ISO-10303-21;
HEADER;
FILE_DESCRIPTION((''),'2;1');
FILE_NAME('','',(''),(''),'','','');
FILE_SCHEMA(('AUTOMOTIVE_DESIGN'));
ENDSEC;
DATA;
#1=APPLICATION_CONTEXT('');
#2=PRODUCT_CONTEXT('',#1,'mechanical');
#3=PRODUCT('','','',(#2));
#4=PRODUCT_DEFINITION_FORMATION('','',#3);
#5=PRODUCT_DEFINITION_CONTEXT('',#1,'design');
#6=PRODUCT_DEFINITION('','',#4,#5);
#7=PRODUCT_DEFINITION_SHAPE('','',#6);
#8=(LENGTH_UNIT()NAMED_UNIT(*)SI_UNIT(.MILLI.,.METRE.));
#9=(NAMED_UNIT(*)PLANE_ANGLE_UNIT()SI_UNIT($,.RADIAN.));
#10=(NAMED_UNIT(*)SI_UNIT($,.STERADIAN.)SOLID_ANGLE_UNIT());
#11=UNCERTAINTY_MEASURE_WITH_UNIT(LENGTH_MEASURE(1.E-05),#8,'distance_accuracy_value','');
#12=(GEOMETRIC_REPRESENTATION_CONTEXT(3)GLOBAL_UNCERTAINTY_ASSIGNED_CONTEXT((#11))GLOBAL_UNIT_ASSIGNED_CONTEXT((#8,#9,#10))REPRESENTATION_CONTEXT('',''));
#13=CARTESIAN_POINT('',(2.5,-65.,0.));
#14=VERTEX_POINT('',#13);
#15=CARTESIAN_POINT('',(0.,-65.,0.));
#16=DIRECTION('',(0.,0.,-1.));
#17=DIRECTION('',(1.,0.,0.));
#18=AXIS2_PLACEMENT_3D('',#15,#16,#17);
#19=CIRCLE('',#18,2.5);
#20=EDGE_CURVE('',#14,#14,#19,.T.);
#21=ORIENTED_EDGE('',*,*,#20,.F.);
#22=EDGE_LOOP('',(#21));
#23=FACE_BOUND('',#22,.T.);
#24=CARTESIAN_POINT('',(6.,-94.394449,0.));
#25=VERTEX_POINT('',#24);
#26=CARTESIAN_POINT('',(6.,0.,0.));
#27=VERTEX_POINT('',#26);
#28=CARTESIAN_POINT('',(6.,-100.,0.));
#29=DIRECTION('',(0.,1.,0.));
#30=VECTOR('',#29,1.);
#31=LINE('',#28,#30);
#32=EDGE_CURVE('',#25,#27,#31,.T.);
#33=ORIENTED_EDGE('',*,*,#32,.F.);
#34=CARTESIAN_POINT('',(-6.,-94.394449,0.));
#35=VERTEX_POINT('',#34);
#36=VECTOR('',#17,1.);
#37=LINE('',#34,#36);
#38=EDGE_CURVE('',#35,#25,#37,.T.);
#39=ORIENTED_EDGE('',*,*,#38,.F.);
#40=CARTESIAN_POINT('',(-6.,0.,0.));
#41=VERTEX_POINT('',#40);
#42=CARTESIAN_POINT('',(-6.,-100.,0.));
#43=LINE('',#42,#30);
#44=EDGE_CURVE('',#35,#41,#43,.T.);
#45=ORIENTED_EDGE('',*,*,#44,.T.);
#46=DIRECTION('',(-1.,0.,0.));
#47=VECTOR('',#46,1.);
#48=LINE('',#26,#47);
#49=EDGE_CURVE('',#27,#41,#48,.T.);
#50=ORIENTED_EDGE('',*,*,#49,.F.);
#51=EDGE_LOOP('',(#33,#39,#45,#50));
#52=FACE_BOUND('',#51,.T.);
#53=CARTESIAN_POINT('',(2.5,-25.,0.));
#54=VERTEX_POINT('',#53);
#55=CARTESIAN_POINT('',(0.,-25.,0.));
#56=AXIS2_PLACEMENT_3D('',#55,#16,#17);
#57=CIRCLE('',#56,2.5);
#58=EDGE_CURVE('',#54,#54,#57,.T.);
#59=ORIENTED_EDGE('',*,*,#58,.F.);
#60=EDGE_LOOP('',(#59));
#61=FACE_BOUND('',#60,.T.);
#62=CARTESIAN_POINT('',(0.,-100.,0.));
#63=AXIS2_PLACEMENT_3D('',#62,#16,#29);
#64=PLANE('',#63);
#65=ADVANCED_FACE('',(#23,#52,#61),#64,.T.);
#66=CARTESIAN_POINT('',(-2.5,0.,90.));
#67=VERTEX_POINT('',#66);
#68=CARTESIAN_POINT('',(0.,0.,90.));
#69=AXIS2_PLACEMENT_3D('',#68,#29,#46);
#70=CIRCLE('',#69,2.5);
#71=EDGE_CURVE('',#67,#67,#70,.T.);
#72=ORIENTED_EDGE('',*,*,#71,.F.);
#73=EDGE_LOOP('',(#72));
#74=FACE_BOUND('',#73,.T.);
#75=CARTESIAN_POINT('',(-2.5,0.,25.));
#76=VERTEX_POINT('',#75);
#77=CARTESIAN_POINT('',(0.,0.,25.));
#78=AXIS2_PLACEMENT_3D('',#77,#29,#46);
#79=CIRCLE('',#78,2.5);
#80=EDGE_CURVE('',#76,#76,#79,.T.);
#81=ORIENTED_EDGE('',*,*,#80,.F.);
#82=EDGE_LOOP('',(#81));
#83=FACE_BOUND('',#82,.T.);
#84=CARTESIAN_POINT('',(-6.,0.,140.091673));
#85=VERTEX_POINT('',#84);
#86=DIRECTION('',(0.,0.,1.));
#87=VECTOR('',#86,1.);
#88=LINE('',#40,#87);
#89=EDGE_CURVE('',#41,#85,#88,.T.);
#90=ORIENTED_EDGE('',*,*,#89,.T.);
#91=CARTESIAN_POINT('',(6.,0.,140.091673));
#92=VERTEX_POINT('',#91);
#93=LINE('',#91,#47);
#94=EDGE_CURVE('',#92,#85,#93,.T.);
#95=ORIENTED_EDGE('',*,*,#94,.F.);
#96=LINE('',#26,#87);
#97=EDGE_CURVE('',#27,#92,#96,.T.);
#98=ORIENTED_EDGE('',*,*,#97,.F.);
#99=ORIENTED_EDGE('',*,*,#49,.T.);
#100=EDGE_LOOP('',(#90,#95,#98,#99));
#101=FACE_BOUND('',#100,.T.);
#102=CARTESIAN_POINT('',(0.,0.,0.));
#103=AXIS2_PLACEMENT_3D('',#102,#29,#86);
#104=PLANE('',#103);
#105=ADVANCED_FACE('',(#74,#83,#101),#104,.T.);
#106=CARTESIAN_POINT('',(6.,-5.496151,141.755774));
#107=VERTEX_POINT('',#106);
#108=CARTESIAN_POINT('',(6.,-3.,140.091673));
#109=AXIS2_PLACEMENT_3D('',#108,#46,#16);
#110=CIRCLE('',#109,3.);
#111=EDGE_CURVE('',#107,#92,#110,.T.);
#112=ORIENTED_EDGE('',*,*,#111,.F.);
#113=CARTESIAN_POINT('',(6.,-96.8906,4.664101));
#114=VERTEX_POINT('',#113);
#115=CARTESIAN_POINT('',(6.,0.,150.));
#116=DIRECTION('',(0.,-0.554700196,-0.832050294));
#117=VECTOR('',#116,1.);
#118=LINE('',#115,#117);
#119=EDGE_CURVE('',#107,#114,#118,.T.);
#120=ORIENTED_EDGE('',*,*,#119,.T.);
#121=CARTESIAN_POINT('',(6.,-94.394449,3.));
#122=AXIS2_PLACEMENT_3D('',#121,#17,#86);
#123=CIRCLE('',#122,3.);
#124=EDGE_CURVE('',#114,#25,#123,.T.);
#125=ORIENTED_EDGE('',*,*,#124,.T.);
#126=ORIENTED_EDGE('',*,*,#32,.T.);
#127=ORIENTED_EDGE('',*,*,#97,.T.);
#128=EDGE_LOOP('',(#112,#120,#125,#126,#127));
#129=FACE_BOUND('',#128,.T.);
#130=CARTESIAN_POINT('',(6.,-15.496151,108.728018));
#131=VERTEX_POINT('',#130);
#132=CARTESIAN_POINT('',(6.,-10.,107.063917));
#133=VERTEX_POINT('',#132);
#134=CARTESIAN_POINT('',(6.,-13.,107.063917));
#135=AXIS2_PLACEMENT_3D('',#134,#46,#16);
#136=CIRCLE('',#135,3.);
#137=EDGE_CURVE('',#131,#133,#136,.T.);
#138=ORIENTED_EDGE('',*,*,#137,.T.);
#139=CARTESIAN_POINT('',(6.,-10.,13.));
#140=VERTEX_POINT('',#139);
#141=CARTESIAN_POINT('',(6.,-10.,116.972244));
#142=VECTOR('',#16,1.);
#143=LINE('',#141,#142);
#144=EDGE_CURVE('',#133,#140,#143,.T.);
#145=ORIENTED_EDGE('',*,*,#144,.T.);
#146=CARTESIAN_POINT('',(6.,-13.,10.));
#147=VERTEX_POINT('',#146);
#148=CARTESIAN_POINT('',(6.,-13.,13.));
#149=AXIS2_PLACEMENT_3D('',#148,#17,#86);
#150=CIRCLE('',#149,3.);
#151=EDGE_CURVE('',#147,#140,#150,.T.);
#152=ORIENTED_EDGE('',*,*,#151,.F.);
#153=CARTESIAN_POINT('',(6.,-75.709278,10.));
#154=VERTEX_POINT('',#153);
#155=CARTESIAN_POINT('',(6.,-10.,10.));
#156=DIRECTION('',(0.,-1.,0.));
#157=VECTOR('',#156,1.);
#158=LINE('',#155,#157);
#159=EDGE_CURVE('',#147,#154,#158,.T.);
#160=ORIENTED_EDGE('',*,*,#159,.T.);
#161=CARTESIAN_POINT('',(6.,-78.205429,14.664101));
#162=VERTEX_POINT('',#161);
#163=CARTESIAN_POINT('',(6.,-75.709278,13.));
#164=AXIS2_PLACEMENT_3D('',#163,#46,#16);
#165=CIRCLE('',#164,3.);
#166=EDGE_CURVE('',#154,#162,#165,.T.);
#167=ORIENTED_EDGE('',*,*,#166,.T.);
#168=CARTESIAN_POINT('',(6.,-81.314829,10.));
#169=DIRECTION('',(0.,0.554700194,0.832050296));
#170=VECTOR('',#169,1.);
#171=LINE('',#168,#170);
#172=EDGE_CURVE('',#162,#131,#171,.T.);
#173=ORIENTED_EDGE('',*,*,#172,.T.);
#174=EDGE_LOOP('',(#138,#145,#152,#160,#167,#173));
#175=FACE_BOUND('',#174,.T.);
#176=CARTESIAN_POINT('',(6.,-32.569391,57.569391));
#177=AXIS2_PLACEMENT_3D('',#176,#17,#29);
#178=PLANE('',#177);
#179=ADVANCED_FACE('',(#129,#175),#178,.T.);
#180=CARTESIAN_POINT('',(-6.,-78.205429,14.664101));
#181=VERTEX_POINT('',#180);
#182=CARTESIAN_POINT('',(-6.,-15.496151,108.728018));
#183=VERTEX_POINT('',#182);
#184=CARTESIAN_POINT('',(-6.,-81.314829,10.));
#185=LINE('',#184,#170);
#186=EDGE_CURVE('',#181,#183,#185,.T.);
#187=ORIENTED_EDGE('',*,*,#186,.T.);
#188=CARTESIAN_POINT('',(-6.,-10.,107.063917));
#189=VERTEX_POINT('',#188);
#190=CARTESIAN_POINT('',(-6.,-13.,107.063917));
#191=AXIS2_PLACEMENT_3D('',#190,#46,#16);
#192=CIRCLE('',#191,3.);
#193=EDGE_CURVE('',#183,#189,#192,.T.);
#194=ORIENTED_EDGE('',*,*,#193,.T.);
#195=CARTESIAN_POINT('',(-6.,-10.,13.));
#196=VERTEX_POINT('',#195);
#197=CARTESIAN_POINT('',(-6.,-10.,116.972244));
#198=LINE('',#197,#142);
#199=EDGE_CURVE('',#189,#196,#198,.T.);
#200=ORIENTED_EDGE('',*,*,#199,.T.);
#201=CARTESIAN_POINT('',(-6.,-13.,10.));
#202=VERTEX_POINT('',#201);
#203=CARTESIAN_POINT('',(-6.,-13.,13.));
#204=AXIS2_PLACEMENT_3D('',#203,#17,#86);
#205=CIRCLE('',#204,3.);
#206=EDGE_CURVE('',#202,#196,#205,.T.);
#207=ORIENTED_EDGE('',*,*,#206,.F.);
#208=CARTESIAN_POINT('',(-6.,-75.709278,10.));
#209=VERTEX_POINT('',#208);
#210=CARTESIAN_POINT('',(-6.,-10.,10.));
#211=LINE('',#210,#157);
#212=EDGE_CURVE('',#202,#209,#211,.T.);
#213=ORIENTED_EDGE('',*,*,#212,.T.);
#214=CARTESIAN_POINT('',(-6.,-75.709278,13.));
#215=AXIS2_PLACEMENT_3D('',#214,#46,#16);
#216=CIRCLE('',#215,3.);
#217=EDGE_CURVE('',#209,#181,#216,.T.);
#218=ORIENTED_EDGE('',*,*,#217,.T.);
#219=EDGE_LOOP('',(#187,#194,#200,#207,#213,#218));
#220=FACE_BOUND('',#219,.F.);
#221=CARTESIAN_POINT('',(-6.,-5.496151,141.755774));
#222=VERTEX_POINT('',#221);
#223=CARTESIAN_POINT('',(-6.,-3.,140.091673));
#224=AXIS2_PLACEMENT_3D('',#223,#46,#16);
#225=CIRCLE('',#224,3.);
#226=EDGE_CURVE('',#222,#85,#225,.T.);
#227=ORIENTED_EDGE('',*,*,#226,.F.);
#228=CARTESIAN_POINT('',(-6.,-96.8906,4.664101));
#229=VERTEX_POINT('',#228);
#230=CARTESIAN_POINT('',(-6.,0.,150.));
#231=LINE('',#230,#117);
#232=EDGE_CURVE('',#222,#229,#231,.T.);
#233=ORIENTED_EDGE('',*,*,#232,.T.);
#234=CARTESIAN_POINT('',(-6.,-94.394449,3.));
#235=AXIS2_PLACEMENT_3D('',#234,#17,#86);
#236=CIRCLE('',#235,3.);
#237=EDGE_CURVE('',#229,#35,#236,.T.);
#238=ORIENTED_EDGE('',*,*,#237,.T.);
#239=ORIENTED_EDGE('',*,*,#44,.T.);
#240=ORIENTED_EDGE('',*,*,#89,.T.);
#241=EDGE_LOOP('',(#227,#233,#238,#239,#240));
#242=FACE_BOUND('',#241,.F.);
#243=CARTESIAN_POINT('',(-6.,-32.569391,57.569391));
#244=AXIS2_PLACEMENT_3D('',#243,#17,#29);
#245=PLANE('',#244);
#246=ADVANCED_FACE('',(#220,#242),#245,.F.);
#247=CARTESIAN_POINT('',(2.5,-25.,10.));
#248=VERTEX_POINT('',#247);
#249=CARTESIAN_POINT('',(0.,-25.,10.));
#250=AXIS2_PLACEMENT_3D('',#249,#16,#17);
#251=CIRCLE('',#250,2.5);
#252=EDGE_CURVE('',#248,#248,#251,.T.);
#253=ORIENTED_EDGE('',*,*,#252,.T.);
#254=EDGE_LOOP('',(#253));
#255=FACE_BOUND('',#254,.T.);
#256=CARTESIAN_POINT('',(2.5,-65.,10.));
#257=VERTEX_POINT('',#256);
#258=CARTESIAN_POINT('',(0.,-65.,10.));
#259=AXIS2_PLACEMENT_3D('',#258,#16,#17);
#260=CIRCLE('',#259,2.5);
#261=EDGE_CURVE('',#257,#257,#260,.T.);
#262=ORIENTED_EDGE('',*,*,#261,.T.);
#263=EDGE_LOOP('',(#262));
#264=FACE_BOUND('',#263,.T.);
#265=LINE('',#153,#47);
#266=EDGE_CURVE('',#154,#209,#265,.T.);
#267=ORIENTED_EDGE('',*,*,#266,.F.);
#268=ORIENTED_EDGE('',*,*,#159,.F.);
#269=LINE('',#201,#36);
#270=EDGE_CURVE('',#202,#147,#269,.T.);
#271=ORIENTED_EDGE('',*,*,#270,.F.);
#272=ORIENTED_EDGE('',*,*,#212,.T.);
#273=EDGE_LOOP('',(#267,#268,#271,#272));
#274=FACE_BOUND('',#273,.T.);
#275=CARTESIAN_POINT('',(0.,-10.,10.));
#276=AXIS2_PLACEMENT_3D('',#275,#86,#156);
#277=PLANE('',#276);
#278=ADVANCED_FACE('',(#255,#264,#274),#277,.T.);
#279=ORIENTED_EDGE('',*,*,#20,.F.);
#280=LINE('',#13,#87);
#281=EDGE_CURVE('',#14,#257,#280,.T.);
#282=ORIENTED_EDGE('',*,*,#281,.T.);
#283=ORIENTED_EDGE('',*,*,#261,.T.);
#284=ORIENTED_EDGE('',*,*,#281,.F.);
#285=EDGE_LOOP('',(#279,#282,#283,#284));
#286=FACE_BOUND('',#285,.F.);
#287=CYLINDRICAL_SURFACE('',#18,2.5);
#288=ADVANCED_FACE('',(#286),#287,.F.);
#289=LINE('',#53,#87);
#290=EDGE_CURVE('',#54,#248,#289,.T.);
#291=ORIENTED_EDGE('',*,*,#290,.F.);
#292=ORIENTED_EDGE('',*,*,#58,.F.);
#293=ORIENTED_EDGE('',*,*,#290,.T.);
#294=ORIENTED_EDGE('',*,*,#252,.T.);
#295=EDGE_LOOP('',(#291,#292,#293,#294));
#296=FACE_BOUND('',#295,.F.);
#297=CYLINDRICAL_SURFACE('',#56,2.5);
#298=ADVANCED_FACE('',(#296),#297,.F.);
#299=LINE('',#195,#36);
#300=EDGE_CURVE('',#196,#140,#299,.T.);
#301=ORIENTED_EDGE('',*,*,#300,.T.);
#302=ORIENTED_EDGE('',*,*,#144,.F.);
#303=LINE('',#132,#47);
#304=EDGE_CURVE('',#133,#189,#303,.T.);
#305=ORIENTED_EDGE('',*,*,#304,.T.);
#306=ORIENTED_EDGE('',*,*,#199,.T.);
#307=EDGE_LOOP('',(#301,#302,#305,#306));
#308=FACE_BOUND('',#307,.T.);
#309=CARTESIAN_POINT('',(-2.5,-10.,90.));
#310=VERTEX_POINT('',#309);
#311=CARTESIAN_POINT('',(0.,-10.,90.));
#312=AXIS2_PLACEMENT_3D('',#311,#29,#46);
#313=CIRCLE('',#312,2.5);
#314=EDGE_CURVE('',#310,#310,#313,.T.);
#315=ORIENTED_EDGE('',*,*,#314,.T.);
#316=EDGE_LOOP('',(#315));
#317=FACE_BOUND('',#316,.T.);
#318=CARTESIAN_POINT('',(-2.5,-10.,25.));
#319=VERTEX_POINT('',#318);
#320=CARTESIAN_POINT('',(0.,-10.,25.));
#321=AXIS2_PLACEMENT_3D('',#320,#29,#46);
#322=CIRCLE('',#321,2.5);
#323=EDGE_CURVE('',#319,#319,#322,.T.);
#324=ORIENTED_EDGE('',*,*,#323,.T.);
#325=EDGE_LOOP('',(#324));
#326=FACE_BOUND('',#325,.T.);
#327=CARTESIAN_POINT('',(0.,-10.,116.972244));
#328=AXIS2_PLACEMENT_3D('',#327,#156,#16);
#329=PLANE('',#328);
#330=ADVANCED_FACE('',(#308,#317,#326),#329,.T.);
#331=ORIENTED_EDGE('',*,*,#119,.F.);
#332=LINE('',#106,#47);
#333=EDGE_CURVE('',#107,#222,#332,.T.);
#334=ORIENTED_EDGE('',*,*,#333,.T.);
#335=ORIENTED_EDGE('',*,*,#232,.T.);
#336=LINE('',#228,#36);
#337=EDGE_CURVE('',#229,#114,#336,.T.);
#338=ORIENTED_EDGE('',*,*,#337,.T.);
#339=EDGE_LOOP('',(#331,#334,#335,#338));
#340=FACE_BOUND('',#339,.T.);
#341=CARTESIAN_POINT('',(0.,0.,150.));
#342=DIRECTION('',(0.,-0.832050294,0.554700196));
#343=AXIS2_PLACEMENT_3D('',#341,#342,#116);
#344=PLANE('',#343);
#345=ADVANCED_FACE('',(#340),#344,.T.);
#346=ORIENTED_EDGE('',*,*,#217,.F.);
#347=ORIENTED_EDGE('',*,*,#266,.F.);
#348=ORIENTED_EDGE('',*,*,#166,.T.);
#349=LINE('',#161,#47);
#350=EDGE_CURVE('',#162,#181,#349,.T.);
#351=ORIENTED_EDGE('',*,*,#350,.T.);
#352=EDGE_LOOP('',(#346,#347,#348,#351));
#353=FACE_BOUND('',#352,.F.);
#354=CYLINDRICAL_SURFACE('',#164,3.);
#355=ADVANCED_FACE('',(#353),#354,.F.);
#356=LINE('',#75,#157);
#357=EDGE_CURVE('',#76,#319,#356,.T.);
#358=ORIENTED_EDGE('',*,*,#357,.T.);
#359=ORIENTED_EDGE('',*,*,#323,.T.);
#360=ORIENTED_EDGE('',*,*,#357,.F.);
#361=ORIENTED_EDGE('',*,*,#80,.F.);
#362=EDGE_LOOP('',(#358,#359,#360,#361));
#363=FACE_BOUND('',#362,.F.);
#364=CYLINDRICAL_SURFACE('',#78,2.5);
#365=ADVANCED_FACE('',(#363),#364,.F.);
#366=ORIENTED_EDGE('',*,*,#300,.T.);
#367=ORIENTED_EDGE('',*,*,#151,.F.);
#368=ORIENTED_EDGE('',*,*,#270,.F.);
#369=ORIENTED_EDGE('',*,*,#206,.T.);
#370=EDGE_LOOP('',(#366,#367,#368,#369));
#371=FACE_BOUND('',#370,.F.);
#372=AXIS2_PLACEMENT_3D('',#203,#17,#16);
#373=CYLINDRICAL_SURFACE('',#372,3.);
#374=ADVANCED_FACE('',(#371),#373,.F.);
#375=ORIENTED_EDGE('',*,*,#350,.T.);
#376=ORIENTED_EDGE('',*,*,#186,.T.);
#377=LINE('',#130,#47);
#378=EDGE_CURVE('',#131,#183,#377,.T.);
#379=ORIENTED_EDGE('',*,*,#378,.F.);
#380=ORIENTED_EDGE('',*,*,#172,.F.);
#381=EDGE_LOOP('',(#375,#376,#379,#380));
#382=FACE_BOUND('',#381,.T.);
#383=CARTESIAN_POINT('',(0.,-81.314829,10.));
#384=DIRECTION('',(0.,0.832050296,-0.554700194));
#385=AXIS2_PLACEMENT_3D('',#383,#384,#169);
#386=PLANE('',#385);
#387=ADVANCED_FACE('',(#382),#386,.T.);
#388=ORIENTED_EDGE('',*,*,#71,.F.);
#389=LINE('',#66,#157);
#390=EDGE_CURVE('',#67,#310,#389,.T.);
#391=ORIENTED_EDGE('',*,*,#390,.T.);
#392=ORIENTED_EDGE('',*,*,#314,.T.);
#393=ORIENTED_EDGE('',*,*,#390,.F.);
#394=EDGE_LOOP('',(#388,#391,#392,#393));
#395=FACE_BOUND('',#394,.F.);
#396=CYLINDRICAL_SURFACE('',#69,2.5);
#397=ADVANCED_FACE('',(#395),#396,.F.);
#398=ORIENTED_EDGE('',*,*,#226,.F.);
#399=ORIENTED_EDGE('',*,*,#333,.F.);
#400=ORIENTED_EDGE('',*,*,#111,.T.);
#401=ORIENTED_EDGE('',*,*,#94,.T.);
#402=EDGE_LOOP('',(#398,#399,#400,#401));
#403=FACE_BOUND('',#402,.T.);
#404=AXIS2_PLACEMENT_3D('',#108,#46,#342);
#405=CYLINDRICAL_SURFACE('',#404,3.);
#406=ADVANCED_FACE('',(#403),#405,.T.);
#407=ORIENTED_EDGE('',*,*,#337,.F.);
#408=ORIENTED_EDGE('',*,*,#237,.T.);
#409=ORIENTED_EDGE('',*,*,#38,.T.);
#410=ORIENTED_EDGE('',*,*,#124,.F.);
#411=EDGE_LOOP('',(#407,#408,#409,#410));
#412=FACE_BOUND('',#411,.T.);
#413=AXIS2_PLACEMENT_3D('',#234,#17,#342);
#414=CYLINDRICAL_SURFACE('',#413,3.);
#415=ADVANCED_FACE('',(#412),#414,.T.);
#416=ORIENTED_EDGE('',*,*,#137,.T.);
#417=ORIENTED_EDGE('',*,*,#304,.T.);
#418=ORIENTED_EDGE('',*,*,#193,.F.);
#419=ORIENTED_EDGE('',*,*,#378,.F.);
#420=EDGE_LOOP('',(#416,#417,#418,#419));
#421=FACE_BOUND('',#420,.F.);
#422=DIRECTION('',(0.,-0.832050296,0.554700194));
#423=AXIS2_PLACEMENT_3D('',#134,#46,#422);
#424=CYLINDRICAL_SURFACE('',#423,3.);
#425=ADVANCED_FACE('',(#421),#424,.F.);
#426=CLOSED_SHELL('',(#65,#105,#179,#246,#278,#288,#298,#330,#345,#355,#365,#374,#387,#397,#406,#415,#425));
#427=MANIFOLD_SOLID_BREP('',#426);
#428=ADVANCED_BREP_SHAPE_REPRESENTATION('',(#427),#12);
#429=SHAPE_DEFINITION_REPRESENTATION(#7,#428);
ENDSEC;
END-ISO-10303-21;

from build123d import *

# Parameters (mm, degrees)
F1_DEPTH = 6
F2_R     = 3
F3_R     = 2.5
F4_DEPTH = 10
F5_R     = 2.5
F6_DEPTH = 10


with BuildPart() as f1:
    # F0 (on Right) → F1 (new body, symmetric)
    with BuildSketch(Plane.YZ):
        Polygon((0, 150), (-100, 0), (0, 0), align=None)
        Polygon((-10, 10), (-81.314829, 10), (-10, 116.972244), align=None, mode=Mode.SUBTRACT)
    extrude(amount=F1_DEPTH, both=True)

    # F2
    f2_edges = [f1.edges().sort_by_distance(p)[0] for p in [
        (0, -100, 0),
        (0, 0, 150),
        (0, -10, 116.972244),
        (0, -10, 10),
        (0, -81.314829, 10),
    ]]
    fillet(f2_edges, radius=F2_R)

    # F3 (on face) → F4 (cut, through all)
    with BuildSketch(Plane(origin=(0, 0, 0), x_dir=(-1, 0, 0), z_dir=(0, 1, 0))):
        with Locations((0, 90)):
            Circle(F3_R)
        with Locations((0, 25)):
            Circle(F3_R)
    extrude(amount=-F4_DEPTH, mode=Mode.SUBTRACT)

    # F5 (on face) → F6 (cut, through all)
    with BuildSketch(Plane(origin=(0, 0, 0), x_dir=(1, 0, 0), z_dir=(0, 0, -1))):
        with Locations((0, 25)):
            Circle(F5_R)
        with Locations((0, 65)):
            Circle(F5_R)
    extrude(amount=-F6_DEPTH, mode=Mode.SUBTRACT)


solid = f1.part
